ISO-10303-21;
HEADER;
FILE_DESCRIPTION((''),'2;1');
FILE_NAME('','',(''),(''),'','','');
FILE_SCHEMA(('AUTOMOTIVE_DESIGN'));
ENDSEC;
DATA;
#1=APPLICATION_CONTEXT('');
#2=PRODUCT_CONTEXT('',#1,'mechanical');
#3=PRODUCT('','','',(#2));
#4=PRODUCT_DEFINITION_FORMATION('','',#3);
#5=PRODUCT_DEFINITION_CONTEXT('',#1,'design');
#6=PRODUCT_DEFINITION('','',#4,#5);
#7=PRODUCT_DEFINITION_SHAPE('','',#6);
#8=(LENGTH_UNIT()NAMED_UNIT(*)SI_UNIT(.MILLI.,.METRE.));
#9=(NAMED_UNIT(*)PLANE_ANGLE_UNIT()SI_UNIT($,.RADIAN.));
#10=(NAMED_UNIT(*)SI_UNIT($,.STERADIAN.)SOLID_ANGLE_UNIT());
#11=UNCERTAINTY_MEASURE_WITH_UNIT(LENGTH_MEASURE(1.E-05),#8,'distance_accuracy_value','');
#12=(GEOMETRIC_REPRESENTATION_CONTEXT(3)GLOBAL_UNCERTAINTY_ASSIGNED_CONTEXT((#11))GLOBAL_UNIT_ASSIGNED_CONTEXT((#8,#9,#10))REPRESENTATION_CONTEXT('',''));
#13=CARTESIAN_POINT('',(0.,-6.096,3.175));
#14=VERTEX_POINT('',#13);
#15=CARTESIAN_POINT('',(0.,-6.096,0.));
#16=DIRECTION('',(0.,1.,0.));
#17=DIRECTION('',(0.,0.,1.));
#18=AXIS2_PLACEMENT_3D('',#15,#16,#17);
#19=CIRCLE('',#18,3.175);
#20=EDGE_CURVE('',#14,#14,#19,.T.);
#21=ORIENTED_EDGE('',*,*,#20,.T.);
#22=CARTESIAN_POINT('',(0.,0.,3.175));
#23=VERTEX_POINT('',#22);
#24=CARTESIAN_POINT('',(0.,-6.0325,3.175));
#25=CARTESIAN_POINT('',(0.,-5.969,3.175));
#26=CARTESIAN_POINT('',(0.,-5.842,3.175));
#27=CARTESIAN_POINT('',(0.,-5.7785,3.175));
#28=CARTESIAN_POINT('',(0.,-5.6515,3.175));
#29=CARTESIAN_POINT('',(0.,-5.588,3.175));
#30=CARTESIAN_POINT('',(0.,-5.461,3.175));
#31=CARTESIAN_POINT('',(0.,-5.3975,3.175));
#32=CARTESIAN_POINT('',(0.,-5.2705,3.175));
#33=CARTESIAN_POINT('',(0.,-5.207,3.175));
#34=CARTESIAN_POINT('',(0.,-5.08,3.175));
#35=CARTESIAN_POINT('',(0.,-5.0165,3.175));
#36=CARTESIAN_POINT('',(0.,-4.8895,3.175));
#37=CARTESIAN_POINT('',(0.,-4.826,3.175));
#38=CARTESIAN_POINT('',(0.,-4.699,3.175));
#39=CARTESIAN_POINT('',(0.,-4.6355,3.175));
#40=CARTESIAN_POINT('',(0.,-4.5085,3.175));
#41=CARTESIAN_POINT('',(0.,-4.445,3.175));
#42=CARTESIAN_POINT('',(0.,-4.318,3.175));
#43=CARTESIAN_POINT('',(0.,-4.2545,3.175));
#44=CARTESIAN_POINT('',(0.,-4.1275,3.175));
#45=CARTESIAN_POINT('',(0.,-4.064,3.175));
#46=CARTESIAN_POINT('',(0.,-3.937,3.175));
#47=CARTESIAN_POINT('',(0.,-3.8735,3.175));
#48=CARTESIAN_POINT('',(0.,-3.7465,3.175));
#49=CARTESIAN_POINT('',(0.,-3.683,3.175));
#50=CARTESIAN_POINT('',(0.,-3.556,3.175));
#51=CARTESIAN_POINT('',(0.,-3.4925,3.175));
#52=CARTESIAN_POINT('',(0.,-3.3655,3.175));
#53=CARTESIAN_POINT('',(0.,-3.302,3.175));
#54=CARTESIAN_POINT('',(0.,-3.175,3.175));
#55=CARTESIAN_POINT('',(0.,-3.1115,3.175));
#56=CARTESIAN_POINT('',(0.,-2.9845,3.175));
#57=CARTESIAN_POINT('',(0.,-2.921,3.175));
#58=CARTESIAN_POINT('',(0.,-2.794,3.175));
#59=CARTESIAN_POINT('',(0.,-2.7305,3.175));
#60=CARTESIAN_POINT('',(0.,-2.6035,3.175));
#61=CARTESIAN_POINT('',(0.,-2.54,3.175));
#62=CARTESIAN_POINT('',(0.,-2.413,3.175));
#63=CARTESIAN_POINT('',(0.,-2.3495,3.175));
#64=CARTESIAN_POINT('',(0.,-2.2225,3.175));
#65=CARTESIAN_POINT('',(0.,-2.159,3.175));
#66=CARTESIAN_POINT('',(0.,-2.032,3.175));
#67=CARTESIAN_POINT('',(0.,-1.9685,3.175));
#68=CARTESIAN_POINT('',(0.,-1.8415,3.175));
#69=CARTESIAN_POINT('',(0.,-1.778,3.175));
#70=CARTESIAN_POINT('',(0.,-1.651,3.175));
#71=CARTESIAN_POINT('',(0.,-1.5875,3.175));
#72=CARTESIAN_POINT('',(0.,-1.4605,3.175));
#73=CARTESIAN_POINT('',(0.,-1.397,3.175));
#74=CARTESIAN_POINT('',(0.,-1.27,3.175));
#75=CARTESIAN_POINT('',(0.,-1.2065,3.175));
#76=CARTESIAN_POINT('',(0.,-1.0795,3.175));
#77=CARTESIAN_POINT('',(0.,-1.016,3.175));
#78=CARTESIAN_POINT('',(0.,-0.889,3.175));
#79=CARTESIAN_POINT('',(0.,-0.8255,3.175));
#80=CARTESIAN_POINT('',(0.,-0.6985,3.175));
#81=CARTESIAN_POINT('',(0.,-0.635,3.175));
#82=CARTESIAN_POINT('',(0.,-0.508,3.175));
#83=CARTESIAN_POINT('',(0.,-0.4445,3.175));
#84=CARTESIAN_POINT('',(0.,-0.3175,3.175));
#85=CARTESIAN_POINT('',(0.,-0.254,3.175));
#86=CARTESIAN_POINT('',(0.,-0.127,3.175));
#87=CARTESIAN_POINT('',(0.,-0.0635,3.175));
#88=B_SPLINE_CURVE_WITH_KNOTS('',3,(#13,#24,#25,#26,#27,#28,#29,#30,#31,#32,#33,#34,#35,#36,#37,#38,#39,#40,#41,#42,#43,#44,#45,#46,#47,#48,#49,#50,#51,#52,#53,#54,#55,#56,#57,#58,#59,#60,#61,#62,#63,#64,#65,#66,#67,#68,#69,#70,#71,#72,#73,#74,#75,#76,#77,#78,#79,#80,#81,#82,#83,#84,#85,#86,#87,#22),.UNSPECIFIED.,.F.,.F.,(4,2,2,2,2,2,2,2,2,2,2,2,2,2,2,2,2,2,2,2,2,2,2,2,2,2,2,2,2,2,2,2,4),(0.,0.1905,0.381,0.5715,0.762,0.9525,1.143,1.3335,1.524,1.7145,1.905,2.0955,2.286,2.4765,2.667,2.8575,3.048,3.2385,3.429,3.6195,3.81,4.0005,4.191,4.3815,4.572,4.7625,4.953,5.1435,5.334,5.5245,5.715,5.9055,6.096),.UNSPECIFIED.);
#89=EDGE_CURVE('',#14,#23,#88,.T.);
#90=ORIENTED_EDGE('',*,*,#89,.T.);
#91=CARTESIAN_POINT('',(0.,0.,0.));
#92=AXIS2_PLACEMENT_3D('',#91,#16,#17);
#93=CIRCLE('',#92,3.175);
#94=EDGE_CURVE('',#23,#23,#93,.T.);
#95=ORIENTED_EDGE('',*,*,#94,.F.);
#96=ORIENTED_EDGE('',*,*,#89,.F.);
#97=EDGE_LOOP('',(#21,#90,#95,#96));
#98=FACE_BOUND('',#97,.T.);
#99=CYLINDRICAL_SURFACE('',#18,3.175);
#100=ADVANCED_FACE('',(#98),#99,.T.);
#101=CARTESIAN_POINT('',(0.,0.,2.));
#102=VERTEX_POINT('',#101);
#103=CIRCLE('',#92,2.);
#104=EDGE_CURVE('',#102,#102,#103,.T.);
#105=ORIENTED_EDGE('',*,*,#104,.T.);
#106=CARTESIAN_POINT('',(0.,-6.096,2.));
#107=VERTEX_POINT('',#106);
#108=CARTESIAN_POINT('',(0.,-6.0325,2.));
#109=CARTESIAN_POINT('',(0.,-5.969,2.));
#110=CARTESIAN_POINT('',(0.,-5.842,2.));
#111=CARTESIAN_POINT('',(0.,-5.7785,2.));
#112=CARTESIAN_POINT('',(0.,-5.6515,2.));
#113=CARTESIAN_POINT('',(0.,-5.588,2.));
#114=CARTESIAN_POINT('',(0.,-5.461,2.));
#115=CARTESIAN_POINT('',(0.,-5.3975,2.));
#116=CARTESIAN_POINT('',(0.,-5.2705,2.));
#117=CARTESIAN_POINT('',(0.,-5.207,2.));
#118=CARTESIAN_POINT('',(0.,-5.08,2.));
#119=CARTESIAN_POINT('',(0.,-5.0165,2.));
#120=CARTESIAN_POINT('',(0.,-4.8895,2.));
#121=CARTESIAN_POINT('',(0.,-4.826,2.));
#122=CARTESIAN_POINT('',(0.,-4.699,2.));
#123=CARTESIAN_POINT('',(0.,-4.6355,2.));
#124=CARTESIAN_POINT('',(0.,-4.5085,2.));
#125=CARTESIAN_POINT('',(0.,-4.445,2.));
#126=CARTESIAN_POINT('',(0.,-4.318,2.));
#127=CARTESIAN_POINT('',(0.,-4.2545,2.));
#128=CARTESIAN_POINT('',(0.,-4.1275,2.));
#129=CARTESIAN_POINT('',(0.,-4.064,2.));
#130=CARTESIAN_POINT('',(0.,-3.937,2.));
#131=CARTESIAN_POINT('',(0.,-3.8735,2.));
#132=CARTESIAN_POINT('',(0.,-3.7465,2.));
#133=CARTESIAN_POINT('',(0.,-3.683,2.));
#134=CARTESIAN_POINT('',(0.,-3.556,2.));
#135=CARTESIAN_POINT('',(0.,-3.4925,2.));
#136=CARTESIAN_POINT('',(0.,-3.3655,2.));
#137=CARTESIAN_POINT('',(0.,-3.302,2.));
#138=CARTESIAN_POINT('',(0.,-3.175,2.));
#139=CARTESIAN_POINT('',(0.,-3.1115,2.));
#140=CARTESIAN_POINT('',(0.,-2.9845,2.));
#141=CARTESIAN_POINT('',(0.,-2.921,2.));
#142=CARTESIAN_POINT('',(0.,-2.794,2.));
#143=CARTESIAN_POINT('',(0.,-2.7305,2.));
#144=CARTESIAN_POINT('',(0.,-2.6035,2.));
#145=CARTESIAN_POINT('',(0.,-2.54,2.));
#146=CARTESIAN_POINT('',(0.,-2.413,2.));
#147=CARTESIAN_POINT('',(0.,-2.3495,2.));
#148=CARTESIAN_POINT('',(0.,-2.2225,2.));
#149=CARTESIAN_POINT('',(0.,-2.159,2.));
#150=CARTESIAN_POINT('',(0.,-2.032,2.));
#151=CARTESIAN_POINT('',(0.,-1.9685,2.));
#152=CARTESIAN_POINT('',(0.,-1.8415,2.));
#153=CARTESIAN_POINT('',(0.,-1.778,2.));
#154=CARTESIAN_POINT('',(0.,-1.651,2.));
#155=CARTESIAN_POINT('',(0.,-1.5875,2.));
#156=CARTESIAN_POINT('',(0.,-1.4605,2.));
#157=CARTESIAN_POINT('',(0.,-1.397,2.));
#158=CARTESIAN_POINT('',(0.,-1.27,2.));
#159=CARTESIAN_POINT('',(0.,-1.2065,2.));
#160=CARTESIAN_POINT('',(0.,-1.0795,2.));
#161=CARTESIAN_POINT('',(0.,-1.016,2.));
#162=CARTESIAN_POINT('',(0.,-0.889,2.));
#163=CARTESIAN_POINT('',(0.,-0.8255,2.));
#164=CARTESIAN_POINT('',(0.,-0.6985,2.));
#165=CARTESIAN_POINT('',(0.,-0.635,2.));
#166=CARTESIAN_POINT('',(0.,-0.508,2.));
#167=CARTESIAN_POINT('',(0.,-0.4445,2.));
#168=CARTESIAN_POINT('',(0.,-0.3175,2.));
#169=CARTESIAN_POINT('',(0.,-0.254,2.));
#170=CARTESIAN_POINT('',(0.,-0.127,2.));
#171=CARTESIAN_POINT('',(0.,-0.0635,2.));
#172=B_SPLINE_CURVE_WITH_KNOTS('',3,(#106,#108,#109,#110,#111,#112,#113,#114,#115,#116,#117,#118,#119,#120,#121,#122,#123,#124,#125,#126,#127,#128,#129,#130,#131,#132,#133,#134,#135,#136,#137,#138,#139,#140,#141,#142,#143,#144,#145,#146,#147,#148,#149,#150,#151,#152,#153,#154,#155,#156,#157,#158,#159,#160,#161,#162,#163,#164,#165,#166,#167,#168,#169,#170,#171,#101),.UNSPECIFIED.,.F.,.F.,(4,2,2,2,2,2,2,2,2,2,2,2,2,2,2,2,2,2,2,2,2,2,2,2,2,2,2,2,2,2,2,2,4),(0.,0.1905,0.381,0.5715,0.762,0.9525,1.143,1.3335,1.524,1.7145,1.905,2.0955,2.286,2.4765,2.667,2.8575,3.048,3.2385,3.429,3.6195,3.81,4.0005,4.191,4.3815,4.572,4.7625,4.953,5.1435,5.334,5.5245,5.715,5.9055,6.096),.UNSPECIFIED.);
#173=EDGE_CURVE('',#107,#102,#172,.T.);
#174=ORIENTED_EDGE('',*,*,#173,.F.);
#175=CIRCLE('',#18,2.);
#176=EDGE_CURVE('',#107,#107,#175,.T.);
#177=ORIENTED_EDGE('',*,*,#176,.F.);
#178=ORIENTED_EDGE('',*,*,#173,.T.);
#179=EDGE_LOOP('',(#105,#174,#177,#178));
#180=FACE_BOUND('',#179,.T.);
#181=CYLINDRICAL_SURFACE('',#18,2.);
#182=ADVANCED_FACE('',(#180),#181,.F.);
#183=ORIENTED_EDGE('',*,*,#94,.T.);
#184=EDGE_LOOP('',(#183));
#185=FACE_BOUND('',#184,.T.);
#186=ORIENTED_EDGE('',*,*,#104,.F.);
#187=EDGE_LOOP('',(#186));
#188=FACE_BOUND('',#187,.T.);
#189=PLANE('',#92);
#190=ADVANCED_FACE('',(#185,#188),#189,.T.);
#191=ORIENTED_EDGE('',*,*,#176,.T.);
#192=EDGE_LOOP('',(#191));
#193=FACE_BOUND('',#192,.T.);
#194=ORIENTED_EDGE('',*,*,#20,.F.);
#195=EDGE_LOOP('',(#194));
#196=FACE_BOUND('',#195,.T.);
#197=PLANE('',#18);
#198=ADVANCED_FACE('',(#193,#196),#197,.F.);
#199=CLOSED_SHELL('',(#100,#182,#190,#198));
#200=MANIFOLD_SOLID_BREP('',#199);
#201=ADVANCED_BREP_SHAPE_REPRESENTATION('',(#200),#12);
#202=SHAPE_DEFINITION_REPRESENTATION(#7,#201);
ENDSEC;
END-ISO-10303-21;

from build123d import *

# Parameters (mm, degrees)
SKETCH1_R           = 3.175
SKETCH1_R_2         = 2
BOSS_EXTRUDE1_DEPTH = 6.096


with BuildPart() as part:
    # Sketch1 → Boss-Extrude1 (new body)
    with BuildSketch(Plane(origin=(0, 0, 0), x_dir=(1, 0, 0), z_dir=(0, 1, 0))):
        with Locations(Location((0, 0, 0), (0, 0, 270))):
            Circle(SKETCH1_R)
        with Locations(Location((0, 0, 0), (0, 0, 270))):
            Circle(SKETCH1_R_2, mode=Mode.SUBTRACT)
    extrude(amount=-BOSS_EXTRUDE1_DEPTH)


solid = part.part
